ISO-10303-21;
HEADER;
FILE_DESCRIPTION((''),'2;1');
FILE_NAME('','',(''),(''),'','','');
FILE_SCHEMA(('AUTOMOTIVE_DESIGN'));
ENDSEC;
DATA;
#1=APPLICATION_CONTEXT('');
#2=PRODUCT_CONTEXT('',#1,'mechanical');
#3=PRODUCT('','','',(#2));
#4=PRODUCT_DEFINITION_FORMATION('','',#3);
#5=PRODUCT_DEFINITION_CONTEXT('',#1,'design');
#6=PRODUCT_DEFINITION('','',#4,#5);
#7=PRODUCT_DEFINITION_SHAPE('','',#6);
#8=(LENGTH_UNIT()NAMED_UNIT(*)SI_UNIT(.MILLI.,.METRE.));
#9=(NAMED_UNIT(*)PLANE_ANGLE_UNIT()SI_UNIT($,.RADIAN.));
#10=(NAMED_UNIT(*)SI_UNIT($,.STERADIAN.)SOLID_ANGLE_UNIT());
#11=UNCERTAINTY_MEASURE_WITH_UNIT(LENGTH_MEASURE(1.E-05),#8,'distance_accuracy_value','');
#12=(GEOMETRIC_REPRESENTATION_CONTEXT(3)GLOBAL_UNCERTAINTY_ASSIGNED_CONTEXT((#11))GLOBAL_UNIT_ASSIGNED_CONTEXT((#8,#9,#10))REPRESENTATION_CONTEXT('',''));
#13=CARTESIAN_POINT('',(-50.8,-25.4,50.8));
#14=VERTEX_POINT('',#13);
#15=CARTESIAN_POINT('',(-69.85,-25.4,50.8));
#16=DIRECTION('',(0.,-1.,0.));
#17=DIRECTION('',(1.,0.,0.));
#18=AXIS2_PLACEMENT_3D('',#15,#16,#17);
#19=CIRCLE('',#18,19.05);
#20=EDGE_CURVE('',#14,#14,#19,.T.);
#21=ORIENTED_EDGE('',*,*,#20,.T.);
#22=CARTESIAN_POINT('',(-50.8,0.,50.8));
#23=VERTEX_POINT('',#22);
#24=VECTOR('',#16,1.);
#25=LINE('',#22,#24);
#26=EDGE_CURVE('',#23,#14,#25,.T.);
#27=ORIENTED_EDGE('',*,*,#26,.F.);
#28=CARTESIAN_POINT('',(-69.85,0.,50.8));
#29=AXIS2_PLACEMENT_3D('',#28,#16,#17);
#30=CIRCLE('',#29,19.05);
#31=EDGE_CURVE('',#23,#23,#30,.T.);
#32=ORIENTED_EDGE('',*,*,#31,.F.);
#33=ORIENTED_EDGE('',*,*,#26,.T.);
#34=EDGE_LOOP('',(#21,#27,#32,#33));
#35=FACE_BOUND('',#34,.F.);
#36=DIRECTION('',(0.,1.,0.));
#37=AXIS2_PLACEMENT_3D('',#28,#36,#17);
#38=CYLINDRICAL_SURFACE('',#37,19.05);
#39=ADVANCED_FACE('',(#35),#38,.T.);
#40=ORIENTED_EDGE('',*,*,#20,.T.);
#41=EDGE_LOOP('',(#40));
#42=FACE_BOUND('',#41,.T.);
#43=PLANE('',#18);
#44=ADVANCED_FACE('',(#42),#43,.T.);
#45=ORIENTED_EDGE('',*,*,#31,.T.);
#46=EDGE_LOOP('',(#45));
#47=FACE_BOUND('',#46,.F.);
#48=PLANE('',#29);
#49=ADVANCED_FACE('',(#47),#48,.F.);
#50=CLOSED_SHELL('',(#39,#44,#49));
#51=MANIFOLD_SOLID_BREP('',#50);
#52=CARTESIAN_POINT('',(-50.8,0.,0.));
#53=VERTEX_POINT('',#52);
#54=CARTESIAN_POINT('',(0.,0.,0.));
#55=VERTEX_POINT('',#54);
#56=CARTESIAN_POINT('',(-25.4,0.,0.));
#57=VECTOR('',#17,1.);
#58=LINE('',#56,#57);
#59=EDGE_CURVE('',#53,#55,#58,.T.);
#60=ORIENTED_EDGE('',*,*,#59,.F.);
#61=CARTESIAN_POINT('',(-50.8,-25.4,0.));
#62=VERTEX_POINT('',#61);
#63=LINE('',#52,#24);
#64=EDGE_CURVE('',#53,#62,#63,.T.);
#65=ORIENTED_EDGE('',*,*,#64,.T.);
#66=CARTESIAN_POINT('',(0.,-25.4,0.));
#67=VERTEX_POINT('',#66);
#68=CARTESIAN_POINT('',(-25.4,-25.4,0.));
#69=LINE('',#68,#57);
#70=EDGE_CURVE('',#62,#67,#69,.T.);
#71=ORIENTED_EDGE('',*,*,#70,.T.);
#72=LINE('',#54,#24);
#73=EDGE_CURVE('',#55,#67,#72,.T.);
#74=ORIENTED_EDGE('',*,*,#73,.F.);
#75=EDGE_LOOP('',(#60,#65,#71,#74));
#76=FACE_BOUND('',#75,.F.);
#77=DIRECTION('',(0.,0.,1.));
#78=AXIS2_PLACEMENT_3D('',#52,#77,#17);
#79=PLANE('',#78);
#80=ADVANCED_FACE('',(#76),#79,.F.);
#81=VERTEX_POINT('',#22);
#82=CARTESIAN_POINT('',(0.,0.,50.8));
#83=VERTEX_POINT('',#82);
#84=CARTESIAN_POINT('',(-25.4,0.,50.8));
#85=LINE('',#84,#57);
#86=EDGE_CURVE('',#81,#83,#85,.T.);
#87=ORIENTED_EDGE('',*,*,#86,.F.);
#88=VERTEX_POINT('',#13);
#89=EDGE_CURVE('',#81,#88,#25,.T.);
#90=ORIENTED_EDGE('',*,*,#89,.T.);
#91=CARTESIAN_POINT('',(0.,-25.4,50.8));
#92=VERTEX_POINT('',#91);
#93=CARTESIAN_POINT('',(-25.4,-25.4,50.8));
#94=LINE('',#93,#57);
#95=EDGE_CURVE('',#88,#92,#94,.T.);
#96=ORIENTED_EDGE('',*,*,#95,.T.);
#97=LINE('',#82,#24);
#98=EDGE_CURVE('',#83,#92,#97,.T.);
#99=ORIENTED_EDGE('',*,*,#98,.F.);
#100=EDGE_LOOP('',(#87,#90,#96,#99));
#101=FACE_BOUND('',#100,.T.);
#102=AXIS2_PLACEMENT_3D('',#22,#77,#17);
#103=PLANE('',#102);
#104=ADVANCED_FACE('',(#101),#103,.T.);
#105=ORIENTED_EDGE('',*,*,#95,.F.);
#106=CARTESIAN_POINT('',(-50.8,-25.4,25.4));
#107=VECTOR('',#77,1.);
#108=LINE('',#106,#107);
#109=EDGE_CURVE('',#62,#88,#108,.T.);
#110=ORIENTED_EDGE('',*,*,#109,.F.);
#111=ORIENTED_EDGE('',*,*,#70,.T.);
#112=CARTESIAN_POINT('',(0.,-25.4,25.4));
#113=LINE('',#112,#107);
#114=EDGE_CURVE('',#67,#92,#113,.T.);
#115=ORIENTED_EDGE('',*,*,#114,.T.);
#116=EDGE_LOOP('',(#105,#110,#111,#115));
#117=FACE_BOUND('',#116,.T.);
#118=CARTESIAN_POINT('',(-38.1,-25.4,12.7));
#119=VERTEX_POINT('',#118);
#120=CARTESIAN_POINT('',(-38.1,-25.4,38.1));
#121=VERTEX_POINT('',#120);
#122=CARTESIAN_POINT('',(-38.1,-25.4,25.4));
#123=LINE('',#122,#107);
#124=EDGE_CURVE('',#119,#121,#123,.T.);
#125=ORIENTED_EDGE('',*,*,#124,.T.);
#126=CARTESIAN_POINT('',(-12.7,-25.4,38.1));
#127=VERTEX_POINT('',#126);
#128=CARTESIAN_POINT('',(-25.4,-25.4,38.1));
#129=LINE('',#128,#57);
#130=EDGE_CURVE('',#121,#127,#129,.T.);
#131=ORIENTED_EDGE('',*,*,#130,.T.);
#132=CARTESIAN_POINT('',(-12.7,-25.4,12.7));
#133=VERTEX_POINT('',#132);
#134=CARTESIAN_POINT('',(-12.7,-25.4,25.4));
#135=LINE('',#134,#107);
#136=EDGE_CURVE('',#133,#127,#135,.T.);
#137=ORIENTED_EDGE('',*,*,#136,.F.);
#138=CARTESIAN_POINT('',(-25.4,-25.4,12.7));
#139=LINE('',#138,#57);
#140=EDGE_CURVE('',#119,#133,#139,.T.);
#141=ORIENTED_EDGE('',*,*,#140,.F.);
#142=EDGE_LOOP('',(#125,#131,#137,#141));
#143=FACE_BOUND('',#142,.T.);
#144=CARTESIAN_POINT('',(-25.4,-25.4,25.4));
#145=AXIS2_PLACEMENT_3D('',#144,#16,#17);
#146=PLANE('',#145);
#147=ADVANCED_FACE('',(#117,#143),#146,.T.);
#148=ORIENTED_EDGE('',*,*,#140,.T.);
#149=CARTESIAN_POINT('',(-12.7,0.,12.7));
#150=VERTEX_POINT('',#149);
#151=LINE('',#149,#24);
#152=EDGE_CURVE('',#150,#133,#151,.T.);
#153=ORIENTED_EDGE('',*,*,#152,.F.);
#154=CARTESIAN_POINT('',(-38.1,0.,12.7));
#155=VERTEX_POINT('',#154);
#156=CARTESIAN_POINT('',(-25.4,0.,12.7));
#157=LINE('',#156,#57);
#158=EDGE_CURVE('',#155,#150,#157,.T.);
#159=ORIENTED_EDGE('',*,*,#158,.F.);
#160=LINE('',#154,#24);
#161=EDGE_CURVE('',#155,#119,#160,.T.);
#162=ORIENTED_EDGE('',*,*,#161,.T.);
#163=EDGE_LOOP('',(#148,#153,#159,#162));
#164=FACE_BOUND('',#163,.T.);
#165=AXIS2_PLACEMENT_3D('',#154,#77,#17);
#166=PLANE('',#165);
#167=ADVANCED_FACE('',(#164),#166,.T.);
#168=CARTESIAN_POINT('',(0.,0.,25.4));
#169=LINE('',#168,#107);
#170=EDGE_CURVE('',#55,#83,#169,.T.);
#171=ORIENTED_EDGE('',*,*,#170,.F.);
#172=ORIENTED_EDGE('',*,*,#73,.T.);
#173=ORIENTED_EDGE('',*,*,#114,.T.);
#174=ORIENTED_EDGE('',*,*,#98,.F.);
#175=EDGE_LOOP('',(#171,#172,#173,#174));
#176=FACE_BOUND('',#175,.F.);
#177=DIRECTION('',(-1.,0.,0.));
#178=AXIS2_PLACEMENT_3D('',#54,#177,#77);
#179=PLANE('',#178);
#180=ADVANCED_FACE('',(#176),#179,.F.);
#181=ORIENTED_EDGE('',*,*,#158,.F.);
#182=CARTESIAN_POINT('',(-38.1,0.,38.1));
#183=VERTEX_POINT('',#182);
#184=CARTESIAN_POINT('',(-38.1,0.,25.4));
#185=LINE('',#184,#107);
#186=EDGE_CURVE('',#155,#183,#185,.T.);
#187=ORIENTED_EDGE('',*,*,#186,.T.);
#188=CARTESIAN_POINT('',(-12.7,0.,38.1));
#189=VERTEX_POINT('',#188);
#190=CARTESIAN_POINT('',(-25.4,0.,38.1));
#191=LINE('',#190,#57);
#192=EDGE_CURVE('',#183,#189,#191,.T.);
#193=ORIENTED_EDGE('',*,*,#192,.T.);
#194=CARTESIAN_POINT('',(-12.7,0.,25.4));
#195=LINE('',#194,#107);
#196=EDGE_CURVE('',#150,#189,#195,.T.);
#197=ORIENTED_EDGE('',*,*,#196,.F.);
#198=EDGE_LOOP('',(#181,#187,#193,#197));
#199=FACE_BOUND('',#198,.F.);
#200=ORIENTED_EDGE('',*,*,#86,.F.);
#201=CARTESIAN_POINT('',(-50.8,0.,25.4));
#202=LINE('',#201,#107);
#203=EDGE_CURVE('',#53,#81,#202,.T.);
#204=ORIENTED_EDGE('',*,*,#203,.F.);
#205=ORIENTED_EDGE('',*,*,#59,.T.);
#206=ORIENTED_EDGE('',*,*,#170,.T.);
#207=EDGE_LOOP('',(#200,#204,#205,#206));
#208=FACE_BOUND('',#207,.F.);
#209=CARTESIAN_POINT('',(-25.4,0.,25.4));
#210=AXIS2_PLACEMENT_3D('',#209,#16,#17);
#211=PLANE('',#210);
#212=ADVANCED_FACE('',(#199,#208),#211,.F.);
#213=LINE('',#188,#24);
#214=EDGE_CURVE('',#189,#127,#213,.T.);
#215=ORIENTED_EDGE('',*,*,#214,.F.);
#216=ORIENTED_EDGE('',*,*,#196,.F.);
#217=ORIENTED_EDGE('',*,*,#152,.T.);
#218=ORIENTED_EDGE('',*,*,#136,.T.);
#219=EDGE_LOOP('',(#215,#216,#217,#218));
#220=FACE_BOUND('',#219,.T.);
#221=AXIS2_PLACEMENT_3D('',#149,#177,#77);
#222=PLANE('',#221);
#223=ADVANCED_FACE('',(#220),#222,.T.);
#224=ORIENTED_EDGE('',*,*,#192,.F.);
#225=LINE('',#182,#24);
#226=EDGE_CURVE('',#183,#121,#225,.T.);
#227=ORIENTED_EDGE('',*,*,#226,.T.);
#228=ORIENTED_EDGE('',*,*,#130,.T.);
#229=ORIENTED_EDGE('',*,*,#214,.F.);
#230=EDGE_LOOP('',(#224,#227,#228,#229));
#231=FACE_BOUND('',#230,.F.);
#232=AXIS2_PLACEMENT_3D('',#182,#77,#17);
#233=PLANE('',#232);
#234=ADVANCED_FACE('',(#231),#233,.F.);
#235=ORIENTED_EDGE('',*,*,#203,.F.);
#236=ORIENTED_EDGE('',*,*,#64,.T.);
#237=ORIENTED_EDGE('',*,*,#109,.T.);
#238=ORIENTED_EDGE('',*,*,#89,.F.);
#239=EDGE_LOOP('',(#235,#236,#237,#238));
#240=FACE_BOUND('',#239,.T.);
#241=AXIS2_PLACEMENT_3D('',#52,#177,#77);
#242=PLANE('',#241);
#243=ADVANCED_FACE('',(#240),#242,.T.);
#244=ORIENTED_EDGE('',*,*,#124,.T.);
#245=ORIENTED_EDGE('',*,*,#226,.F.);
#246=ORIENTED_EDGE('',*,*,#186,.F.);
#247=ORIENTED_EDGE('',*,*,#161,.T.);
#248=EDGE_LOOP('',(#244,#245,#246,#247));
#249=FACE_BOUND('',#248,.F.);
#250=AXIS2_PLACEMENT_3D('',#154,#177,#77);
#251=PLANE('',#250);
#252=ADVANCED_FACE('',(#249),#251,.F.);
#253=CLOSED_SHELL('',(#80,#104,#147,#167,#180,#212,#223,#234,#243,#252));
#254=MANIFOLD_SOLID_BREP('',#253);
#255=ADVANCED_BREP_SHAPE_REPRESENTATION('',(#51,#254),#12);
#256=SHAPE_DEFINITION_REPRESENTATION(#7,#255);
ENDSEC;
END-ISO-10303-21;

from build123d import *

# Parameters (mm, degrees)
F0_W     = 50.8
F0_H     = 50.8
F0_W_2   = 25.4
F0_H_2   = 25.4
F0_R     = 19.05
F1_DEPTH = 25.4


with BuildPart() as f1:
    # F0 (on Front) → F1 (new body)
    with BuildSketch(Plane.XZ):
        with Locations((-25.4, 25.4)):
            Rectangle(F0_W, F0_H)
        with Locations((-25.4, 25.4)):
            Rectangle(F0_W_2, F0_H_2, mode=Mode.SUBTRACT)
        with Locations((-69.85, 50.8)):
            Circle(F0_R)
    extrude(amount=F1_DEPTH)


solid = f1.part
